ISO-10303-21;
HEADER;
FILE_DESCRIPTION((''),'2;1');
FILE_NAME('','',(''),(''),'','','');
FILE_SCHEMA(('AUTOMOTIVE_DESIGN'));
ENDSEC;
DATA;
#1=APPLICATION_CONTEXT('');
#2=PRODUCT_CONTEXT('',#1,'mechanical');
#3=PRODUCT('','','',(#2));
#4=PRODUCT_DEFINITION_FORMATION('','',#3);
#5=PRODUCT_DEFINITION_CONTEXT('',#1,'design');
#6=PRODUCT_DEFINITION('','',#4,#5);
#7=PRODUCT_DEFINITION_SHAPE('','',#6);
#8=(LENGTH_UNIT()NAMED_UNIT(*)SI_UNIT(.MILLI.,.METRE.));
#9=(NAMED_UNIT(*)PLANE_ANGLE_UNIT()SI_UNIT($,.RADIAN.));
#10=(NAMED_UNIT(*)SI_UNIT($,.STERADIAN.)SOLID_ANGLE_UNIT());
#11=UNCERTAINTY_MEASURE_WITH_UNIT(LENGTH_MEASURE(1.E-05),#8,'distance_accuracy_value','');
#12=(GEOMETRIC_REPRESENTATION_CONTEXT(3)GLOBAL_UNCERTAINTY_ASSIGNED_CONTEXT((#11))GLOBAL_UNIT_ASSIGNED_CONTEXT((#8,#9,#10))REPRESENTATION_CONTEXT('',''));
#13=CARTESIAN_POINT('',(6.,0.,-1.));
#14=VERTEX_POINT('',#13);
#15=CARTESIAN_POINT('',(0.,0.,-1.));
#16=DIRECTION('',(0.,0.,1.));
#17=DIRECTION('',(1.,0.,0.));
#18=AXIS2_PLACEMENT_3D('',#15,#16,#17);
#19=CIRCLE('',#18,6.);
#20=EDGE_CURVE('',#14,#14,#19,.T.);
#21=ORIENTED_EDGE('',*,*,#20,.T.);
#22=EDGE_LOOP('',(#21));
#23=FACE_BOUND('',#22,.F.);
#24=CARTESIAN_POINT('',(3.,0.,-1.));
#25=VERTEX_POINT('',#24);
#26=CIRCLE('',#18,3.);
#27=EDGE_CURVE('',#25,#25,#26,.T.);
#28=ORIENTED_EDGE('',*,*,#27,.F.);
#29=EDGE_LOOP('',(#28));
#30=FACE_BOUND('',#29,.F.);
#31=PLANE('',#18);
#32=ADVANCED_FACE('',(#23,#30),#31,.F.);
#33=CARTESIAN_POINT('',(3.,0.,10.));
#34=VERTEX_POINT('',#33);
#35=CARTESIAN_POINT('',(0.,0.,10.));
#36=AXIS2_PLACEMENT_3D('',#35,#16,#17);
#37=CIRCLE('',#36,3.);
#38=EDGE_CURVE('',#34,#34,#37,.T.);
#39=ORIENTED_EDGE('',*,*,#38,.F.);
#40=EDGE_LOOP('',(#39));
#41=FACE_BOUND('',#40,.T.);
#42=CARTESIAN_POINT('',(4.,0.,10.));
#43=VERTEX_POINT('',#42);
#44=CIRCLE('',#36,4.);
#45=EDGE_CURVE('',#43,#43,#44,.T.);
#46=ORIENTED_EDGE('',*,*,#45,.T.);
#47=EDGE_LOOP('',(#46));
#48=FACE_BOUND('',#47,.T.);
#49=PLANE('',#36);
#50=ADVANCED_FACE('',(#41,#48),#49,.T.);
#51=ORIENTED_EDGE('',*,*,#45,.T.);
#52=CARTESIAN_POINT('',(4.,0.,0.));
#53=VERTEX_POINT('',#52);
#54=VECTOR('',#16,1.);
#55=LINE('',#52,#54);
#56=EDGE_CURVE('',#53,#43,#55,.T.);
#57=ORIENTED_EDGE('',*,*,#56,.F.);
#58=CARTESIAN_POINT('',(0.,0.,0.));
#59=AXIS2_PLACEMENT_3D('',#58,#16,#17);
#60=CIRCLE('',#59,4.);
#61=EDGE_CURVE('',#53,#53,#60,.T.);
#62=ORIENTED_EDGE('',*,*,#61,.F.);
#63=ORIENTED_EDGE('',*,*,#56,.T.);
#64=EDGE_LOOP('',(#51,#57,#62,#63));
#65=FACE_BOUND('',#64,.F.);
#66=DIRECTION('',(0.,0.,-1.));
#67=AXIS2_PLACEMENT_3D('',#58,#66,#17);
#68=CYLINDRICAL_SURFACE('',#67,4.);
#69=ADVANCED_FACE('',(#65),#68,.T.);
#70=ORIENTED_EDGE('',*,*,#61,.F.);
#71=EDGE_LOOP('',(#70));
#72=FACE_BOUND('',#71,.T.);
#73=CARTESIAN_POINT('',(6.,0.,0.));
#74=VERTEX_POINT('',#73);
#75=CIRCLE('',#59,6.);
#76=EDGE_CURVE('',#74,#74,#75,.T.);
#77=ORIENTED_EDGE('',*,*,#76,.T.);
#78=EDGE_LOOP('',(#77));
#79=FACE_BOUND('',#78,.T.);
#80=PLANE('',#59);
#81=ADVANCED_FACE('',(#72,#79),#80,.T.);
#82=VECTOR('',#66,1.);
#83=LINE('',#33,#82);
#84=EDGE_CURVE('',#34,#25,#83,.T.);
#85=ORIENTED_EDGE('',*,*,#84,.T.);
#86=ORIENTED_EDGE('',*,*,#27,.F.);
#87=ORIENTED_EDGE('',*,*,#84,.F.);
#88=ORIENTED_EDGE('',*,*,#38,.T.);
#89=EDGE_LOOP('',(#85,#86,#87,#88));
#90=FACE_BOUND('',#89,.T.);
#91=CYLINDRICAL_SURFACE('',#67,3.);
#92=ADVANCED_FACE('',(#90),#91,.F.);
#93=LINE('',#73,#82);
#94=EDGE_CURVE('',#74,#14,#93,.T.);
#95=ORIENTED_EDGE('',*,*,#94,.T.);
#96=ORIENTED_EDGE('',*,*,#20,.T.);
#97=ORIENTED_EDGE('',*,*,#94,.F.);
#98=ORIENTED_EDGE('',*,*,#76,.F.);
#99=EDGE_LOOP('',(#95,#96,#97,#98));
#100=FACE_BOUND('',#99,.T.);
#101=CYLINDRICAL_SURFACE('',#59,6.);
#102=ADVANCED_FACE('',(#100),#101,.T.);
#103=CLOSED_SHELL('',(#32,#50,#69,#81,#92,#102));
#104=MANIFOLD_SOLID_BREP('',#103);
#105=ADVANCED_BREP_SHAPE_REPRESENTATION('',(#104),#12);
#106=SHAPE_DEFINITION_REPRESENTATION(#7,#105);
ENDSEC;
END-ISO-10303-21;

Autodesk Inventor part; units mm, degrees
ref_plane "YZ Plane" through (0, 0, 0) normal (1, 0, 0) x (0, 1, 0)
ref_plane "XZ Plane" through (0, 0, 0) normal (0, 1, 0) x (-1, 0, 0)
ref_plane "XY Plane" through (0, 0, 0) normal (0, 0, 1) x (1, 0, 0)
sketch "スケッチ1" plane through (0, 0, 0) normal (0, 0, 1) x (1, 0, 0)
  circle A0 centre (0, 0) radius 3
  circle A1 centre (0, 0) radius 4
  circle A2 centre (0, 0) radius 6
  dimension "d0" = 6
  dimension "d1" = 8
  dimension "d2" = 12
extrude "押し出し1" add sketch "スケッチ1" along normal blind 10 contours A1
extrude "押し出し2" add sketch "スケッチ1" against normal blind 1 contours A1 | A2
properties part number "フランジオイレス6-8-10" material "アセタール樹脂、黒"
